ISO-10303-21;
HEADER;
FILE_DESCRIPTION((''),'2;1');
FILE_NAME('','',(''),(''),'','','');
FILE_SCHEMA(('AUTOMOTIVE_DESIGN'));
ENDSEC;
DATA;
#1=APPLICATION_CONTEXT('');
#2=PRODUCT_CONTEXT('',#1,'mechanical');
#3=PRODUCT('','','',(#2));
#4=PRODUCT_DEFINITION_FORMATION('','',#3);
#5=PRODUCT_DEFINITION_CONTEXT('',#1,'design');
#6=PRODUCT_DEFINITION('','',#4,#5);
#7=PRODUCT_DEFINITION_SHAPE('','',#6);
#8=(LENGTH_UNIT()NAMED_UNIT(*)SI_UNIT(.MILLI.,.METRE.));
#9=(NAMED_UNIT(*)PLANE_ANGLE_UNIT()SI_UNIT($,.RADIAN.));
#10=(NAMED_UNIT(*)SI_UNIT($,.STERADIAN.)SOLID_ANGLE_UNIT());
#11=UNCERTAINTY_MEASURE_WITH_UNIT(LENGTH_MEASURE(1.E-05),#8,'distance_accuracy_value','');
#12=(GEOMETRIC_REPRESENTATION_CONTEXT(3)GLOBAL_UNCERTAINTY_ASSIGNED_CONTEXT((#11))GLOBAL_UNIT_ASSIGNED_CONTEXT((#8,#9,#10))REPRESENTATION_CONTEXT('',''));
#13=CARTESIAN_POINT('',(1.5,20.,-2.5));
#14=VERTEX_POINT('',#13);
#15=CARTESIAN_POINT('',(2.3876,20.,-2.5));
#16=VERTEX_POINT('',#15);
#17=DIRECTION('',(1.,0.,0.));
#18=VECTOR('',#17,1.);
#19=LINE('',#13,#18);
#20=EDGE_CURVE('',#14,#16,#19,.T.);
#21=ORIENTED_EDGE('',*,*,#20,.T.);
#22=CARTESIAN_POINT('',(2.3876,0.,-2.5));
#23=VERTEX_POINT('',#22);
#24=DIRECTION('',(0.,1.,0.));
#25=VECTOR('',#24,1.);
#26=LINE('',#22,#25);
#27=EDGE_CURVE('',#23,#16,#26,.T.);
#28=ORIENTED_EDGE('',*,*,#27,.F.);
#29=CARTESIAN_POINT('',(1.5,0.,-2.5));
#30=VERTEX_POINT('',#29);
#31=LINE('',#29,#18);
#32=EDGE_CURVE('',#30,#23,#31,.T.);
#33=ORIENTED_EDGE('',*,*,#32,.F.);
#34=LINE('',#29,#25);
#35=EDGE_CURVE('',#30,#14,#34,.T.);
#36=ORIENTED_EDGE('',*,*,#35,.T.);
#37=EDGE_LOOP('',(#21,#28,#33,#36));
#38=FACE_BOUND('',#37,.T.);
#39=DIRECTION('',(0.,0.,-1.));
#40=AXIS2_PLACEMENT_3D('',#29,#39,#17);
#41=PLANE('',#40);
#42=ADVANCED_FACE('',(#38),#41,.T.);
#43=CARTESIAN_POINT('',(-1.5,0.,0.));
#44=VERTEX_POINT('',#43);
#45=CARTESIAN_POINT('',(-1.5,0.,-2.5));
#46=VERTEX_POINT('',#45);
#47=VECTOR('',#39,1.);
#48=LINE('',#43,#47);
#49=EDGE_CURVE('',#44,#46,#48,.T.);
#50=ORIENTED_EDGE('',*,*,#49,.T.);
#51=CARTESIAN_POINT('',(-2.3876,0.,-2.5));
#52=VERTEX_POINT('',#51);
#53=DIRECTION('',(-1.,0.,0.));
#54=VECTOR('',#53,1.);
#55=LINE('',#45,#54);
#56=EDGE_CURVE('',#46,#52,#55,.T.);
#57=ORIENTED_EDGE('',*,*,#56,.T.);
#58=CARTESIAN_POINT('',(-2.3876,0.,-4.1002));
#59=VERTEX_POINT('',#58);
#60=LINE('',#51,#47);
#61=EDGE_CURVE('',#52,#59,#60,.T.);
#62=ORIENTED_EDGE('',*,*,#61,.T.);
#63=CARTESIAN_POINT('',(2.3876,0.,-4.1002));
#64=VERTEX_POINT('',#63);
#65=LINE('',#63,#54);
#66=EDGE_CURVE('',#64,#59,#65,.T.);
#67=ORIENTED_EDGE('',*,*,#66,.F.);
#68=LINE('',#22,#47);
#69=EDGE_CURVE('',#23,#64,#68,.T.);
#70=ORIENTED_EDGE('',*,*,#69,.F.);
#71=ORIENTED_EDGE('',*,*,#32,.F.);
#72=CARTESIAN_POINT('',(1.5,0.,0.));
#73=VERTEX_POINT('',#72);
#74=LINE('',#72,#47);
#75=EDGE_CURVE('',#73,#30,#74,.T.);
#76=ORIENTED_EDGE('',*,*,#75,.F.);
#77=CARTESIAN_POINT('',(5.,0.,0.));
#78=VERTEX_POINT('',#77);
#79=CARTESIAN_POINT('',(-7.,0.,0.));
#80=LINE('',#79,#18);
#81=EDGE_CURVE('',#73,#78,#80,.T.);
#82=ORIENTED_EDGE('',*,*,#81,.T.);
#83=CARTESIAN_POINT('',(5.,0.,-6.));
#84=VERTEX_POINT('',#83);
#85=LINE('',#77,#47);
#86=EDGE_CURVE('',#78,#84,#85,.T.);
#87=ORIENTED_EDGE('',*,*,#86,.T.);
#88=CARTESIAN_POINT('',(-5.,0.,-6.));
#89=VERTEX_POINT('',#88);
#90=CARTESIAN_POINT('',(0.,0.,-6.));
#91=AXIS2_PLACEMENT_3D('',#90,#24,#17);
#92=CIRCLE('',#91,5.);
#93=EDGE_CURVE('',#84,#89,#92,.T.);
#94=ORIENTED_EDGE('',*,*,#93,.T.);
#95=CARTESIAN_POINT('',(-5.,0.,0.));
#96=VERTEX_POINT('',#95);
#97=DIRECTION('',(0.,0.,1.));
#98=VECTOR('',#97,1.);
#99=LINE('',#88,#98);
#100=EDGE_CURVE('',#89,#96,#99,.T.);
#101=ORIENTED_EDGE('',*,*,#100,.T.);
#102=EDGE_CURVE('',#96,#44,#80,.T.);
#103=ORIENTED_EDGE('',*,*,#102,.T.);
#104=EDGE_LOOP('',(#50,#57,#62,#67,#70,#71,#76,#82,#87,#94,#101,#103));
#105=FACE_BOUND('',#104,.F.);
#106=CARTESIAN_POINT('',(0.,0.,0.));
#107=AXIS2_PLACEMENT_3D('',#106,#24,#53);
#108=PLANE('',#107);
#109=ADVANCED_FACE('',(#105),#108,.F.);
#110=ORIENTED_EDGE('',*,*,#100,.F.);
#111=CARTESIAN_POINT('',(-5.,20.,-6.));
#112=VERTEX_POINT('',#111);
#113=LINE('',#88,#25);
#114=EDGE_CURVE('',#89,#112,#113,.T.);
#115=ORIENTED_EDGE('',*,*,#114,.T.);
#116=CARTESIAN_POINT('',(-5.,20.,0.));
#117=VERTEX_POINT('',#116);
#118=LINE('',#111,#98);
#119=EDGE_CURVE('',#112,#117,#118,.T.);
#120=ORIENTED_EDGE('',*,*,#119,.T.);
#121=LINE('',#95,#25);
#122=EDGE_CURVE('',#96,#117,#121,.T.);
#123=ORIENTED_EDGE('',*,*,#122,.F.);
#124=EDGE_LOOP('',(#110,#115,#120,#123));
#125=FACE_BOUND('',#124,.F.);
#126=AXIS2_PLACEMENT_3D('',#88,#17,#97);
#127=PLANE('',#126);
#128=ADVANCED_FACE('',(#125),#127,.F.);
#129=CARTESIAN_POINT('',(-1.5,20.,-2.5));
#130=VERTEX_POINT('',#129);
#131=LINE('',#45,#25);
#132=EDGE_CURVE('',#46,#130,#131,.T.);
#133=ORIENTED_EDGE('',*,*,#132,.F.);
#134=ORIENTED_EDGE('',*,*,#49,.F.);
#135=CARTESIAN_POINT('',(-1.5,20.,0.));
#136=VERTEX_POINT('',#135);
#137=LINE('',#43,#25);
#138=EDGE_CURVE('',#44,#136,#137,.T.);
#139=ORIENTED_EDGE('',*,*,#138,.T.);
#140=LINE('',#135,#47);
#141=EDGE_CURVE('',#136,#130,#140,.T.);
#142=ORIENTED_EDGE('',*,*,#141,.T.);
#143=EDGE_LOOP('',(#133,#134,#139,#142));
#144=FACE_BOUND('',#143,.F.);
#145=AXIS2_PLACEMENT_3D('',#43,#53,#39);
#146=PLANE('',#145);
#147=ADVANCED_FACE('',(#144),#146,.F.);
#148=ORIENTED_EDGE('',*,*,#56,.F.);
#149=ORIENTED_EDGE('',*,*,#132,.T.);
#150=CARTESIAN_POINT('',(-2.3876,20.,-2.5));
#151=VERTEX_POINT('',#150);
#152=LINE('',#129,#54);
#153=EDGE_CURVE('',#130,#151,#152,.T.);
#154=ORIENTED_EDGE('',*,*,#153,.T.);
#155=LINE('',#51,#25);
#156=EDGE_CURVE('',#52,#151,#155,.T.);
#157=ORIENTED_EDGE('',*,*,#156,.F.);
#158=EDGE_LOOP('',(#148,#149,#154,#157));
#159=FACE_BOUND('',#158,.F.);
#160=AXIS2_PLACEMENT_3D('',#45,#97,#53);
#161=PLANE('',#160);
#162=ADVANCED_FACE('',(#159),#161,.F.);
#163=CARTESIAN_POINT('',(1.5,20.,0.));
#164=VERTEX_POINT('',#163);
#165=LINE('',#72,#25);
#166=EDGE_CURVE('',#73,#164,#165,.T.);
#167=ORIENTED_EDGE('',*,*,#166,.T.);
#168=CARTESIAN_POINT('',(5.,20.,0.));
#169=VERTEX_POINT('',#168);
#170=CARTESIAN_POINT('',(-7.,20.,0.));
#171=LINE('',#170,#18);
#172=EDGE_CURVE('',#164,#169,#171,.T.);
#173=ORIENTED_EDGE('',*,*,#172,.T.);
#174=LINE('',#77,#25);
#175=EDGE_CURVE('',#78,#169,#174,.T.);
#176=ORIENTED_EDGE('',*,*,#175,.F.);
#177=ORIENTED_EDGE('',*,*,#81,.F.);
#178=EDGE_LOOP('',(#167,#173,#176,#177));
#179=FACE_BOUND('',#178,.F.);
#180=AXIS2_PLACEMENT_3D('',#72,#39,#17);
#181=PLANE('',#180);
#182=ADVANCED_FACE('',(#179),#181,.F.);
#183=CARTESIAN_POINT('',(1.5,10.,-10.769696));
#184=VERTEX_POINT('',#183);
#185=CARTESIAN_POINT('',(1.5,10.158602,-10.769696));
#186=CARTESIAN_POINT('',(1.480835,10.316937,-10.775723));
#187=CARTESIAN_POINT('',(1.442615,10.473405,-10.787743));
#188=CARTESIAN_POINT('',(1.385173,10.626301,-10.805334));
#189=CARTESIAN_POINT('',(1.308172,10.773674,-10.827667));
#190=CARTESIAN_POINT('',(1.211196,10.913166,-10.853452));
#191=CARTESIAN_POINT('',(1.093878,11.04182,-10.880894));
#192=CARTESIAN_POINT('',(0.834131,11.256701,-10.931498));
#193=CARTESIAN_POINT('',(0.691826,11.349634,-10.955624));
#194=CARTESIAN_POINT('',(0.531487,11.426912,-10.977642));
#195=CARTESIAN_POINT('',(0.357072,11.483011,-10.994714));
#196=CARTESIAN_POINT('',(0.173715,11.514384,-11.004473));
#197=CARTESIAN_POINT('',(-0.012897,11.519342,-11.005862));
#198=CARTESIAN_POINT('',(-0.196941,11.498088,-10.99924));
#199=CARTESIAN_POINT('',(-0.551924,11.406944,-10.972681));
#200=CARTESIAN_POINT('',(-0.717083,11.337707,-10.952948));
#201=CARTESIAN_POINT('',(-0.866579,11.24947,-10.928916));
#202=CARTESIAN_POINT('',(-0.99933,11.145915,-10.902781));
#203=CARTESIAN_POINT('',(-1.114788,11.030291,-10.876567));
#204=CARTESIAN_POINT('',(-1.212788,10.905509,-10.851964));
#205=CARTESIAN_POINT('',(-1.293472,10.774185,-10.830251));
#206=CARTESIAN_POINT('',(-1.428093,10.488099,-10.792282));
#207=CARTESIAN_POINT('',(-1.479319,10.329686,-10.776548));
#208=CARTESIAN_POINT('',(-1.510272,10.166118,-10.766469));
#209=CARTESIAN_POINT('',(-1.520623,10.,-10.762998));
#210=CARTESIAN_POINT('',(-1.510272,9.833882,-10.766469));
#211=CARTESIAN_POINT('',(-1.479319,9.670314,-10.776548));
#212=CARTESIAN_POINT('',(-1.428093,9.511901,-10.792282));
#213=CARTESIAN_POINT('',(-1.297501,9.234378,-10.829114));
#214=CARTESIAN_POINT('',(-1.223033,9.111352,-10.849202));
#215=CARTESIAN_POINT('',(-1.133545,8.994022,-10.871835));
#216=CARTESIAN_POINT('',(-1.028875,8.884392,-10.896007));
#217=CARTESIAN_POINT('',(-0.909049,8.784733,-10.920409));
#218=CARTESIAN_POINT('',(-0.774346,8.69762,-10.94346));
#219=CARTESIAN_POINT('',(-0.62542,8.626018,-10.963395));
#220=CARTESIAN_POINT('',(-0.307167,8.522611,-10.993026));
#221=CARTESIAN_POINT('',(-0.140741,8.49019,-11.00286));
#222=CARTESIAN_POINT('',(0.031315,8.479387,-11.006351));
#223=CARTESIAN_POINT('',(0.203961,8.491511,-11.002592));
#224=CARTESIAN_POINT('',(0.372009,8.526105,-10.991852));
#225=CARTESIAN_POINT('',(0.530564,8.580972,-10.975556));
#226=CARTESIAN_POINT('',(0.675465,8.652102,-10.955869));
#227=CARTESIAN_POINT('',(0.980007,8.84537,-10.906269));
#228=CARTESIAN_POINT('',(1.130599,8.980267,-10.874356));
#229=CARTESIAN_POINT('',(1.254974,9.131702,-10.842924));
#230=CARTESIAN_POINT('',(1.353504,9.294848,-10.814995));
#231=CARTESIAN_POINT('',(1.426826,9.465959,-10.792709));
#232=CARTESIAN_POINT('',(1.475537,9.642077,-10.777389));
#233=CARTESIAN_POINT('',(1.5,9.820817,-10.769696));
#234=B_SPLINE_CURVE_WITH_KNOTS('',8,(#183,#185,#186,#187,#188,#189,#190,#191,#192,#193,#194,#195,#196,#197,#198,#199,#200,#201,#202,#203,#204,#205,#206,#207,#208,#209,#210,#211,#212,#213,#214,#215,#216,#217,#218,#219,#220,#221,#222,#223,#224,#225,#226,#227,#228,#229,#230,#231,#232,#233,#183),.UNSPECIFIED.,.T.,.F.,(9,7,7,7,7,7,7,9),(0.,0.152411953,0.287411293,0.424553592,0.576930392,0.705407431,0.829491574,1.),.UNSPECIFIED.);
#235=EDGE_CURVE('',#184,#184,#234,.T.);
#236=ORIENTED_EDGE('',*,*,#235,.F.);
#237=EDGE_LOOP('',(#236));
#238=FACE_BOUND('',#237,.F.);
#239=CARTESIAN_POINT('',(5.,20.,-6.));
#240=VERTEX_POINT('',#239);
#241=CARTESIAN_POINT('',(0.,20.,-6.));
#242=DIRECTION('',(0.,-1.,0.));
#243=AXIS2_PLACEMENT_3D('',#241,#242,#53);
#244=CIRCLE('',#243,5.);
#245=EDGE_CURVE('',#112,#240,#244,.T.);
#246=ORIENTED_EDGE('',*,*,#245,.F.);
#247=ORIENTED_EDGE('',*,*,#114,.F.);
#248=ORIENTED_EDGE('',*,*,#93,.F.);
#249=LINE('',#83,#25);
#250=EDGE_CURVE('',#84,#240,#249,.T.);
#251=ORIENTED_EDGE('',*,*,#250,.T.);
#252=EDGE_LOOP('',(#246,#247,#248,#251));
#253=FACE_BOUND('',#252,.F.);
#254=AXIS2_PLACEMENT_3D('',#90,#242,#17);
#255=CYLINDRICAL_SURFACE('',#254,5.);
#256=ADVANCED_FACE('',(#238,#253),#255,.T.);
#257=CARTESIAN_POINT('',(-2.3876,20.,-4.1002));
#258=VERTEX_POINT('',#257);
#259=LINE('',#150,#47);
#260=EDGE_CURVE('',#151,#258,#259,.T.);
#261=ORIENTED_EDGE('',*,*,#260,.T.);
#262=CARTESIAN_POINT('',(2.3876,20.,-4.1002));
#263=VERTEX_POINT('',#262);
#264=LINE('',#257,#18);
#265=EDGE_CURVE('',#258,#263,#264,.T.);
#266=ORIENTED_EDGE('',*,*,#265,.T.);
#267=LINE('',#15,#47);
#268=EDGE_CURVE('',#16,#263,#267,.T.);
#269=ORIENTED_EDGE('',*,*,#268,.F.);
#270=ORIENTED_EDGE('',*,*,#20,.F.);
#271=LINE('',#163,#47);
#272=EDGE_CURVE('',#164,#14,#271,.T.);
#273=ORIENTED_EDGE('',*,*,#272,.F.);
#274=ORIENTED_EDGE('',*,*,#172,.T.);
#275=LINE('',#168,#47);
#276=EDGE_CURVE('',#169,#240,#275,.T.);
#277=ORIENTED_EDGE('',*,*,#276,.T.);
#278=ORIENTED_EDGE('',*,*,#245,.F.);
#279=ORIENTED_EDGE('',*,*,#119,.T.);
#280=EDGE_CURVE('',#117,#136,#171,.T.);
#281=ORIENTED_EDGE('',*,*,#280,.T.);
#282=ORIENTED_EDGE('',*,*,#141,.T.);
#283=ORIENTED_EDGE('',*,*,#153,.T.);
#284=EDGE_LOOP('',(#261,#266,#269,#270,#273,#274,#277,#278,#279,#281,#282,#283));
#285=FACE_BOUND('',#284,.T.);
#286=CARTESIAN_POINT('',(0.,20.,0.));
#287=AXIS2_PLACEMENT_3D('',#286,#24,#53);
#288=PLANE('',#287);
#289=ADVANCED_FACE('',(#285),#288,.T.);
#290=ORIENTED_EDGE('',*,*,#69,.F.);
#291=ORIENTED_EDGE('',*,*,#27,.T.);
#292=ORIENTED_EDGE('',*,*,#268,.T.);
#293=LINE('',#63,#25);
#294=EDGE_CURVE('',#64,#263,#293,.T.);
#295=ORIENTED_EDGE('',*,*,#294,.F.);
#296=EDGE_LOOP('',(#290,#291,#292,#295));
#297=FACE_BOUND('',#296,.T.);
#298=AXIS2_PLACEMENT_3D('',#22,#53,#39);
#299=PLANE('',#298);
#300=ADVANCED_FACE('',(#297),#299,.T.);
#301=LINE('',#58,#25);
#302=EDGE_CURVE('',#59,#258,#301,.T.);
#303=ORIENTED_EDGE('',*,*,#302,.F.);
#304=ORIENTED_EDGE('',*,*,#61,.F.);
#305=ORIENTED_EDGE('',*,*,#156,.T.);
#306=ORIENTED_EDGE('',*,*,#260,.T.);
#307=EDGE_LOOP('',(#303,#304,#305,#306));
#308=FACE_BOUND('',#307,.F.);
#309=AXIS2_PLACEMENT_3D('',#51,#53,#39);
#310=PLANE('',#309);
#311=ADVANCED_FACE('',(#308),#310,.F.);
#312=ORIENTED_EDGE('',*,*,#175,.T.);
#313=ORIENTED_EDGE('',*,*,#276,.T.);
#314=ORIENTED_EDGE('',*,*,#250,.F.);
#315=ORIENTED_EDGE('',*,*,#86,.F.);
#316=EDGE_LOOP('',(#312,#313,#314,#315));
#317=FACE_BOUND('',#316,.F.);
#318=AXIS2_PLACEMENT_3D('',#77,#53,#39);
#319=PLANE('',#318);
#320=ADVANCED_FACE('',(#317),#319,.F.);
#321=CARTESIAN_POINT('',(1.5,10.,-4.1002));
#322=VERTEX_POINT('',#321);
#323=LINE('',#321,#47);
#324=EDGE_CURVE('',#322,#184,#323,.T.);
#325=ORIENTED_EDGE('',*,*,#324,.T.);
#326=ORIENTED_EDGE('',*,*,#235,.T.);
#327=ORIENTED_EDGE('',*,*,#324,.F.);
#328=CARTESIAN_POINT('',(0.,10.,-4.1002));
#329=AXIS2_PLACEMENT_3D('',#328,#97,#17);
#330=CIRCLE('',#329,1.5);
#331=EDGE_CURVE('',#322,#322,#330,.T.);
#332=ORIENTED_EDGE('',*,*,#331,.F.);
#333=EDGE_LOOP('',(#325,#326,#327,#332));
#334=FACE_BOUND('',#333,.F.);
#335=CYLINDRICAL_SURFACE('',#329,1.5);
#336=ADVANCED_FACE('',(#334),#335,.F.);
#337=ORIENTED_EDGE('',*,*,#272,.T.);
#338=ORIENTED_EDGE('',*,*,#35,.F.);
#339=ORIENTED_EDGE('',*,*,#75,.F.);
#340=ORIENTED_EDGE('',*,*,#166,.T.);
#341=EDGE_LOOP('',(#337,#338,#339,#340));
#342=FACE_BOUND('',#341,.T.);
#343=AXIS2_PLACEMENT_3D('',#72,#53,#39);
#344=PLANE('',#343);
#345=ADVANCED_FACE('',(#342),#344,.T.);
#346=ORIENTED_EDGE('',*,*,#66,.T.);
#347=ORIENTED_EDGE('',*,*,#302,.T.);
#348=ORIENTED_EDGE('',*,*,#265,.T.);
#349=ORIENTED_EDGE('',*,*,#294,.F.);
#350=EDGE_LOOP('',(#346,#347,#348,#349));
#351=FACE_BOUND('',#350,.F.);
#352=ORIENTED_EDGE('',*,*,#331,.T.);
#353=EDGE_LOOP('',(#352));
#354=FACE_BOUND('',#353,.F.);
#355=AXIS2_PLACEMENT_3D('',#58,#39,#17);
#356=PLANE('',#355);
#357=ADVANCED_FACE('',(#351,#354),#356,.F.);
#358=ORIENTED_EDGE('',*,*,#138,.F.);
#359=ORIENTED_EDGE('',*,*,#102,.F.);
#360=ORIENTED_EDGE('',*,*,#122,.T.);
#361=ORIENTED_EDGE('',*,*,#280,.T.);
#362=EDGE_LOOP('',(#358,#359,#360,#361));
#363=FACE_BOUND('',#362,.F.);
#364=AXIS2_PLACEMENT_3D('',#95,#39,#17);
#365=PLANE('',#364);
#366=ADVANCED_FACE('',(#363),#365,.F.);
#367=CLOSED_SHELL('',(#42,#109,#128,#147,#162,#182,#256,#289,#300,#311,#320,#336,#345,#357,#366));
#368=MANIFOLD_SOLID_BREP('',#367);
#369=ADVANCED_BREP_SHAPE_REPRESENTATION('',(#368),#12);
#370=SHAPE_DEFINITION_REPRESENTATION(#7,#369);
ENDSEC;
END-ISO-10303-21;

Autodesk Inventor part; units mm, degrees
ref_plane "YZ Plane" through (0, 0, 0) normal (1, 0, 0) x (0, 1, 0)
ref_plane "XZ Plane" through (0, 0, 0) normal (0, 1, 0) x (-1, 0, 0)
ref_plane "XY Plane" through (0, 0, 0) normal (0, 0, 1) x (1, 0, 0)
sketch "Sketch1" plane through (0, 0, 0) normal (0, 1, 0) x (-1, 0, 0)
  line L0 (7, 0) -> (-7, 0) projected
  line L1 (0, -13.2) -> (0, 2.2) projected
  line L2 (-5, 0) -> (-5, -6)
  line L3 (5, -6) -> (5, 0)
  line L4 (1.5, 0) -> (1.5, -2.5)
  line L5 (1.5, -2.5) -> (2.3876, -2.5)
  line L6 (2.3876, -2.5) -> (2.3876, -4.1002)
  line L7 (2.3876, -4.1002) -> (0, -4.1002)
  line L8 (-1.5, 0) -> (-1.5, -2.5)
  line L9 (-1.5, -2.5) -> (-2.3876, -2.5)
  line L10 (-2.3876, -2.5) -> (-2.3876, -4.1002)
  line L11 (-2.3876, -4.1002) -> (0, -4.1002)
  line L12 (5, 0) -> (1.5, 0)
  line L13 (-1.5, 0) -> (-5, 0)
  arc A0 (-5, -6) -> (5, -6) centre (0, -6) ccw
  point P0 (0, 0)
  dimension "d0" = 10
  dimension "d1" = 5
  dimension "d3" = 2.3876
  dimension "d4" = 1.6002
  dimension "d5" = 2.5
  dimension "d6" = 1.5
  dimension "d7" = 6
  dimension "d8" = 5
extrude "Extrusion1" add sketch "Sketch1" along normal blind 20 contours L3 A0 L1 L7 L6 L5 L4 L0 | A0 L2 L0 L8 L9 L10 L11 L1
sketch "Sketch2" plane through (-2.3876, 0, -4.1002) normal (0, 0, 1) x (1, 0, 0)
  line L0 (2.3876, 0) -> (2.3876, 20) construction
  line L1 (7.3876, 20) -> (-2.6124, 20) projected
  circle A0 centre (2.3876, 10) radius 1.5
  dimension "d11" = 3
extrude "Extrusion2" cut sketch "Sketch2" against normal blind 20
equation "\"d1\" = 0.5 * d0"
properties part number "BallBallerina_StopHead"
